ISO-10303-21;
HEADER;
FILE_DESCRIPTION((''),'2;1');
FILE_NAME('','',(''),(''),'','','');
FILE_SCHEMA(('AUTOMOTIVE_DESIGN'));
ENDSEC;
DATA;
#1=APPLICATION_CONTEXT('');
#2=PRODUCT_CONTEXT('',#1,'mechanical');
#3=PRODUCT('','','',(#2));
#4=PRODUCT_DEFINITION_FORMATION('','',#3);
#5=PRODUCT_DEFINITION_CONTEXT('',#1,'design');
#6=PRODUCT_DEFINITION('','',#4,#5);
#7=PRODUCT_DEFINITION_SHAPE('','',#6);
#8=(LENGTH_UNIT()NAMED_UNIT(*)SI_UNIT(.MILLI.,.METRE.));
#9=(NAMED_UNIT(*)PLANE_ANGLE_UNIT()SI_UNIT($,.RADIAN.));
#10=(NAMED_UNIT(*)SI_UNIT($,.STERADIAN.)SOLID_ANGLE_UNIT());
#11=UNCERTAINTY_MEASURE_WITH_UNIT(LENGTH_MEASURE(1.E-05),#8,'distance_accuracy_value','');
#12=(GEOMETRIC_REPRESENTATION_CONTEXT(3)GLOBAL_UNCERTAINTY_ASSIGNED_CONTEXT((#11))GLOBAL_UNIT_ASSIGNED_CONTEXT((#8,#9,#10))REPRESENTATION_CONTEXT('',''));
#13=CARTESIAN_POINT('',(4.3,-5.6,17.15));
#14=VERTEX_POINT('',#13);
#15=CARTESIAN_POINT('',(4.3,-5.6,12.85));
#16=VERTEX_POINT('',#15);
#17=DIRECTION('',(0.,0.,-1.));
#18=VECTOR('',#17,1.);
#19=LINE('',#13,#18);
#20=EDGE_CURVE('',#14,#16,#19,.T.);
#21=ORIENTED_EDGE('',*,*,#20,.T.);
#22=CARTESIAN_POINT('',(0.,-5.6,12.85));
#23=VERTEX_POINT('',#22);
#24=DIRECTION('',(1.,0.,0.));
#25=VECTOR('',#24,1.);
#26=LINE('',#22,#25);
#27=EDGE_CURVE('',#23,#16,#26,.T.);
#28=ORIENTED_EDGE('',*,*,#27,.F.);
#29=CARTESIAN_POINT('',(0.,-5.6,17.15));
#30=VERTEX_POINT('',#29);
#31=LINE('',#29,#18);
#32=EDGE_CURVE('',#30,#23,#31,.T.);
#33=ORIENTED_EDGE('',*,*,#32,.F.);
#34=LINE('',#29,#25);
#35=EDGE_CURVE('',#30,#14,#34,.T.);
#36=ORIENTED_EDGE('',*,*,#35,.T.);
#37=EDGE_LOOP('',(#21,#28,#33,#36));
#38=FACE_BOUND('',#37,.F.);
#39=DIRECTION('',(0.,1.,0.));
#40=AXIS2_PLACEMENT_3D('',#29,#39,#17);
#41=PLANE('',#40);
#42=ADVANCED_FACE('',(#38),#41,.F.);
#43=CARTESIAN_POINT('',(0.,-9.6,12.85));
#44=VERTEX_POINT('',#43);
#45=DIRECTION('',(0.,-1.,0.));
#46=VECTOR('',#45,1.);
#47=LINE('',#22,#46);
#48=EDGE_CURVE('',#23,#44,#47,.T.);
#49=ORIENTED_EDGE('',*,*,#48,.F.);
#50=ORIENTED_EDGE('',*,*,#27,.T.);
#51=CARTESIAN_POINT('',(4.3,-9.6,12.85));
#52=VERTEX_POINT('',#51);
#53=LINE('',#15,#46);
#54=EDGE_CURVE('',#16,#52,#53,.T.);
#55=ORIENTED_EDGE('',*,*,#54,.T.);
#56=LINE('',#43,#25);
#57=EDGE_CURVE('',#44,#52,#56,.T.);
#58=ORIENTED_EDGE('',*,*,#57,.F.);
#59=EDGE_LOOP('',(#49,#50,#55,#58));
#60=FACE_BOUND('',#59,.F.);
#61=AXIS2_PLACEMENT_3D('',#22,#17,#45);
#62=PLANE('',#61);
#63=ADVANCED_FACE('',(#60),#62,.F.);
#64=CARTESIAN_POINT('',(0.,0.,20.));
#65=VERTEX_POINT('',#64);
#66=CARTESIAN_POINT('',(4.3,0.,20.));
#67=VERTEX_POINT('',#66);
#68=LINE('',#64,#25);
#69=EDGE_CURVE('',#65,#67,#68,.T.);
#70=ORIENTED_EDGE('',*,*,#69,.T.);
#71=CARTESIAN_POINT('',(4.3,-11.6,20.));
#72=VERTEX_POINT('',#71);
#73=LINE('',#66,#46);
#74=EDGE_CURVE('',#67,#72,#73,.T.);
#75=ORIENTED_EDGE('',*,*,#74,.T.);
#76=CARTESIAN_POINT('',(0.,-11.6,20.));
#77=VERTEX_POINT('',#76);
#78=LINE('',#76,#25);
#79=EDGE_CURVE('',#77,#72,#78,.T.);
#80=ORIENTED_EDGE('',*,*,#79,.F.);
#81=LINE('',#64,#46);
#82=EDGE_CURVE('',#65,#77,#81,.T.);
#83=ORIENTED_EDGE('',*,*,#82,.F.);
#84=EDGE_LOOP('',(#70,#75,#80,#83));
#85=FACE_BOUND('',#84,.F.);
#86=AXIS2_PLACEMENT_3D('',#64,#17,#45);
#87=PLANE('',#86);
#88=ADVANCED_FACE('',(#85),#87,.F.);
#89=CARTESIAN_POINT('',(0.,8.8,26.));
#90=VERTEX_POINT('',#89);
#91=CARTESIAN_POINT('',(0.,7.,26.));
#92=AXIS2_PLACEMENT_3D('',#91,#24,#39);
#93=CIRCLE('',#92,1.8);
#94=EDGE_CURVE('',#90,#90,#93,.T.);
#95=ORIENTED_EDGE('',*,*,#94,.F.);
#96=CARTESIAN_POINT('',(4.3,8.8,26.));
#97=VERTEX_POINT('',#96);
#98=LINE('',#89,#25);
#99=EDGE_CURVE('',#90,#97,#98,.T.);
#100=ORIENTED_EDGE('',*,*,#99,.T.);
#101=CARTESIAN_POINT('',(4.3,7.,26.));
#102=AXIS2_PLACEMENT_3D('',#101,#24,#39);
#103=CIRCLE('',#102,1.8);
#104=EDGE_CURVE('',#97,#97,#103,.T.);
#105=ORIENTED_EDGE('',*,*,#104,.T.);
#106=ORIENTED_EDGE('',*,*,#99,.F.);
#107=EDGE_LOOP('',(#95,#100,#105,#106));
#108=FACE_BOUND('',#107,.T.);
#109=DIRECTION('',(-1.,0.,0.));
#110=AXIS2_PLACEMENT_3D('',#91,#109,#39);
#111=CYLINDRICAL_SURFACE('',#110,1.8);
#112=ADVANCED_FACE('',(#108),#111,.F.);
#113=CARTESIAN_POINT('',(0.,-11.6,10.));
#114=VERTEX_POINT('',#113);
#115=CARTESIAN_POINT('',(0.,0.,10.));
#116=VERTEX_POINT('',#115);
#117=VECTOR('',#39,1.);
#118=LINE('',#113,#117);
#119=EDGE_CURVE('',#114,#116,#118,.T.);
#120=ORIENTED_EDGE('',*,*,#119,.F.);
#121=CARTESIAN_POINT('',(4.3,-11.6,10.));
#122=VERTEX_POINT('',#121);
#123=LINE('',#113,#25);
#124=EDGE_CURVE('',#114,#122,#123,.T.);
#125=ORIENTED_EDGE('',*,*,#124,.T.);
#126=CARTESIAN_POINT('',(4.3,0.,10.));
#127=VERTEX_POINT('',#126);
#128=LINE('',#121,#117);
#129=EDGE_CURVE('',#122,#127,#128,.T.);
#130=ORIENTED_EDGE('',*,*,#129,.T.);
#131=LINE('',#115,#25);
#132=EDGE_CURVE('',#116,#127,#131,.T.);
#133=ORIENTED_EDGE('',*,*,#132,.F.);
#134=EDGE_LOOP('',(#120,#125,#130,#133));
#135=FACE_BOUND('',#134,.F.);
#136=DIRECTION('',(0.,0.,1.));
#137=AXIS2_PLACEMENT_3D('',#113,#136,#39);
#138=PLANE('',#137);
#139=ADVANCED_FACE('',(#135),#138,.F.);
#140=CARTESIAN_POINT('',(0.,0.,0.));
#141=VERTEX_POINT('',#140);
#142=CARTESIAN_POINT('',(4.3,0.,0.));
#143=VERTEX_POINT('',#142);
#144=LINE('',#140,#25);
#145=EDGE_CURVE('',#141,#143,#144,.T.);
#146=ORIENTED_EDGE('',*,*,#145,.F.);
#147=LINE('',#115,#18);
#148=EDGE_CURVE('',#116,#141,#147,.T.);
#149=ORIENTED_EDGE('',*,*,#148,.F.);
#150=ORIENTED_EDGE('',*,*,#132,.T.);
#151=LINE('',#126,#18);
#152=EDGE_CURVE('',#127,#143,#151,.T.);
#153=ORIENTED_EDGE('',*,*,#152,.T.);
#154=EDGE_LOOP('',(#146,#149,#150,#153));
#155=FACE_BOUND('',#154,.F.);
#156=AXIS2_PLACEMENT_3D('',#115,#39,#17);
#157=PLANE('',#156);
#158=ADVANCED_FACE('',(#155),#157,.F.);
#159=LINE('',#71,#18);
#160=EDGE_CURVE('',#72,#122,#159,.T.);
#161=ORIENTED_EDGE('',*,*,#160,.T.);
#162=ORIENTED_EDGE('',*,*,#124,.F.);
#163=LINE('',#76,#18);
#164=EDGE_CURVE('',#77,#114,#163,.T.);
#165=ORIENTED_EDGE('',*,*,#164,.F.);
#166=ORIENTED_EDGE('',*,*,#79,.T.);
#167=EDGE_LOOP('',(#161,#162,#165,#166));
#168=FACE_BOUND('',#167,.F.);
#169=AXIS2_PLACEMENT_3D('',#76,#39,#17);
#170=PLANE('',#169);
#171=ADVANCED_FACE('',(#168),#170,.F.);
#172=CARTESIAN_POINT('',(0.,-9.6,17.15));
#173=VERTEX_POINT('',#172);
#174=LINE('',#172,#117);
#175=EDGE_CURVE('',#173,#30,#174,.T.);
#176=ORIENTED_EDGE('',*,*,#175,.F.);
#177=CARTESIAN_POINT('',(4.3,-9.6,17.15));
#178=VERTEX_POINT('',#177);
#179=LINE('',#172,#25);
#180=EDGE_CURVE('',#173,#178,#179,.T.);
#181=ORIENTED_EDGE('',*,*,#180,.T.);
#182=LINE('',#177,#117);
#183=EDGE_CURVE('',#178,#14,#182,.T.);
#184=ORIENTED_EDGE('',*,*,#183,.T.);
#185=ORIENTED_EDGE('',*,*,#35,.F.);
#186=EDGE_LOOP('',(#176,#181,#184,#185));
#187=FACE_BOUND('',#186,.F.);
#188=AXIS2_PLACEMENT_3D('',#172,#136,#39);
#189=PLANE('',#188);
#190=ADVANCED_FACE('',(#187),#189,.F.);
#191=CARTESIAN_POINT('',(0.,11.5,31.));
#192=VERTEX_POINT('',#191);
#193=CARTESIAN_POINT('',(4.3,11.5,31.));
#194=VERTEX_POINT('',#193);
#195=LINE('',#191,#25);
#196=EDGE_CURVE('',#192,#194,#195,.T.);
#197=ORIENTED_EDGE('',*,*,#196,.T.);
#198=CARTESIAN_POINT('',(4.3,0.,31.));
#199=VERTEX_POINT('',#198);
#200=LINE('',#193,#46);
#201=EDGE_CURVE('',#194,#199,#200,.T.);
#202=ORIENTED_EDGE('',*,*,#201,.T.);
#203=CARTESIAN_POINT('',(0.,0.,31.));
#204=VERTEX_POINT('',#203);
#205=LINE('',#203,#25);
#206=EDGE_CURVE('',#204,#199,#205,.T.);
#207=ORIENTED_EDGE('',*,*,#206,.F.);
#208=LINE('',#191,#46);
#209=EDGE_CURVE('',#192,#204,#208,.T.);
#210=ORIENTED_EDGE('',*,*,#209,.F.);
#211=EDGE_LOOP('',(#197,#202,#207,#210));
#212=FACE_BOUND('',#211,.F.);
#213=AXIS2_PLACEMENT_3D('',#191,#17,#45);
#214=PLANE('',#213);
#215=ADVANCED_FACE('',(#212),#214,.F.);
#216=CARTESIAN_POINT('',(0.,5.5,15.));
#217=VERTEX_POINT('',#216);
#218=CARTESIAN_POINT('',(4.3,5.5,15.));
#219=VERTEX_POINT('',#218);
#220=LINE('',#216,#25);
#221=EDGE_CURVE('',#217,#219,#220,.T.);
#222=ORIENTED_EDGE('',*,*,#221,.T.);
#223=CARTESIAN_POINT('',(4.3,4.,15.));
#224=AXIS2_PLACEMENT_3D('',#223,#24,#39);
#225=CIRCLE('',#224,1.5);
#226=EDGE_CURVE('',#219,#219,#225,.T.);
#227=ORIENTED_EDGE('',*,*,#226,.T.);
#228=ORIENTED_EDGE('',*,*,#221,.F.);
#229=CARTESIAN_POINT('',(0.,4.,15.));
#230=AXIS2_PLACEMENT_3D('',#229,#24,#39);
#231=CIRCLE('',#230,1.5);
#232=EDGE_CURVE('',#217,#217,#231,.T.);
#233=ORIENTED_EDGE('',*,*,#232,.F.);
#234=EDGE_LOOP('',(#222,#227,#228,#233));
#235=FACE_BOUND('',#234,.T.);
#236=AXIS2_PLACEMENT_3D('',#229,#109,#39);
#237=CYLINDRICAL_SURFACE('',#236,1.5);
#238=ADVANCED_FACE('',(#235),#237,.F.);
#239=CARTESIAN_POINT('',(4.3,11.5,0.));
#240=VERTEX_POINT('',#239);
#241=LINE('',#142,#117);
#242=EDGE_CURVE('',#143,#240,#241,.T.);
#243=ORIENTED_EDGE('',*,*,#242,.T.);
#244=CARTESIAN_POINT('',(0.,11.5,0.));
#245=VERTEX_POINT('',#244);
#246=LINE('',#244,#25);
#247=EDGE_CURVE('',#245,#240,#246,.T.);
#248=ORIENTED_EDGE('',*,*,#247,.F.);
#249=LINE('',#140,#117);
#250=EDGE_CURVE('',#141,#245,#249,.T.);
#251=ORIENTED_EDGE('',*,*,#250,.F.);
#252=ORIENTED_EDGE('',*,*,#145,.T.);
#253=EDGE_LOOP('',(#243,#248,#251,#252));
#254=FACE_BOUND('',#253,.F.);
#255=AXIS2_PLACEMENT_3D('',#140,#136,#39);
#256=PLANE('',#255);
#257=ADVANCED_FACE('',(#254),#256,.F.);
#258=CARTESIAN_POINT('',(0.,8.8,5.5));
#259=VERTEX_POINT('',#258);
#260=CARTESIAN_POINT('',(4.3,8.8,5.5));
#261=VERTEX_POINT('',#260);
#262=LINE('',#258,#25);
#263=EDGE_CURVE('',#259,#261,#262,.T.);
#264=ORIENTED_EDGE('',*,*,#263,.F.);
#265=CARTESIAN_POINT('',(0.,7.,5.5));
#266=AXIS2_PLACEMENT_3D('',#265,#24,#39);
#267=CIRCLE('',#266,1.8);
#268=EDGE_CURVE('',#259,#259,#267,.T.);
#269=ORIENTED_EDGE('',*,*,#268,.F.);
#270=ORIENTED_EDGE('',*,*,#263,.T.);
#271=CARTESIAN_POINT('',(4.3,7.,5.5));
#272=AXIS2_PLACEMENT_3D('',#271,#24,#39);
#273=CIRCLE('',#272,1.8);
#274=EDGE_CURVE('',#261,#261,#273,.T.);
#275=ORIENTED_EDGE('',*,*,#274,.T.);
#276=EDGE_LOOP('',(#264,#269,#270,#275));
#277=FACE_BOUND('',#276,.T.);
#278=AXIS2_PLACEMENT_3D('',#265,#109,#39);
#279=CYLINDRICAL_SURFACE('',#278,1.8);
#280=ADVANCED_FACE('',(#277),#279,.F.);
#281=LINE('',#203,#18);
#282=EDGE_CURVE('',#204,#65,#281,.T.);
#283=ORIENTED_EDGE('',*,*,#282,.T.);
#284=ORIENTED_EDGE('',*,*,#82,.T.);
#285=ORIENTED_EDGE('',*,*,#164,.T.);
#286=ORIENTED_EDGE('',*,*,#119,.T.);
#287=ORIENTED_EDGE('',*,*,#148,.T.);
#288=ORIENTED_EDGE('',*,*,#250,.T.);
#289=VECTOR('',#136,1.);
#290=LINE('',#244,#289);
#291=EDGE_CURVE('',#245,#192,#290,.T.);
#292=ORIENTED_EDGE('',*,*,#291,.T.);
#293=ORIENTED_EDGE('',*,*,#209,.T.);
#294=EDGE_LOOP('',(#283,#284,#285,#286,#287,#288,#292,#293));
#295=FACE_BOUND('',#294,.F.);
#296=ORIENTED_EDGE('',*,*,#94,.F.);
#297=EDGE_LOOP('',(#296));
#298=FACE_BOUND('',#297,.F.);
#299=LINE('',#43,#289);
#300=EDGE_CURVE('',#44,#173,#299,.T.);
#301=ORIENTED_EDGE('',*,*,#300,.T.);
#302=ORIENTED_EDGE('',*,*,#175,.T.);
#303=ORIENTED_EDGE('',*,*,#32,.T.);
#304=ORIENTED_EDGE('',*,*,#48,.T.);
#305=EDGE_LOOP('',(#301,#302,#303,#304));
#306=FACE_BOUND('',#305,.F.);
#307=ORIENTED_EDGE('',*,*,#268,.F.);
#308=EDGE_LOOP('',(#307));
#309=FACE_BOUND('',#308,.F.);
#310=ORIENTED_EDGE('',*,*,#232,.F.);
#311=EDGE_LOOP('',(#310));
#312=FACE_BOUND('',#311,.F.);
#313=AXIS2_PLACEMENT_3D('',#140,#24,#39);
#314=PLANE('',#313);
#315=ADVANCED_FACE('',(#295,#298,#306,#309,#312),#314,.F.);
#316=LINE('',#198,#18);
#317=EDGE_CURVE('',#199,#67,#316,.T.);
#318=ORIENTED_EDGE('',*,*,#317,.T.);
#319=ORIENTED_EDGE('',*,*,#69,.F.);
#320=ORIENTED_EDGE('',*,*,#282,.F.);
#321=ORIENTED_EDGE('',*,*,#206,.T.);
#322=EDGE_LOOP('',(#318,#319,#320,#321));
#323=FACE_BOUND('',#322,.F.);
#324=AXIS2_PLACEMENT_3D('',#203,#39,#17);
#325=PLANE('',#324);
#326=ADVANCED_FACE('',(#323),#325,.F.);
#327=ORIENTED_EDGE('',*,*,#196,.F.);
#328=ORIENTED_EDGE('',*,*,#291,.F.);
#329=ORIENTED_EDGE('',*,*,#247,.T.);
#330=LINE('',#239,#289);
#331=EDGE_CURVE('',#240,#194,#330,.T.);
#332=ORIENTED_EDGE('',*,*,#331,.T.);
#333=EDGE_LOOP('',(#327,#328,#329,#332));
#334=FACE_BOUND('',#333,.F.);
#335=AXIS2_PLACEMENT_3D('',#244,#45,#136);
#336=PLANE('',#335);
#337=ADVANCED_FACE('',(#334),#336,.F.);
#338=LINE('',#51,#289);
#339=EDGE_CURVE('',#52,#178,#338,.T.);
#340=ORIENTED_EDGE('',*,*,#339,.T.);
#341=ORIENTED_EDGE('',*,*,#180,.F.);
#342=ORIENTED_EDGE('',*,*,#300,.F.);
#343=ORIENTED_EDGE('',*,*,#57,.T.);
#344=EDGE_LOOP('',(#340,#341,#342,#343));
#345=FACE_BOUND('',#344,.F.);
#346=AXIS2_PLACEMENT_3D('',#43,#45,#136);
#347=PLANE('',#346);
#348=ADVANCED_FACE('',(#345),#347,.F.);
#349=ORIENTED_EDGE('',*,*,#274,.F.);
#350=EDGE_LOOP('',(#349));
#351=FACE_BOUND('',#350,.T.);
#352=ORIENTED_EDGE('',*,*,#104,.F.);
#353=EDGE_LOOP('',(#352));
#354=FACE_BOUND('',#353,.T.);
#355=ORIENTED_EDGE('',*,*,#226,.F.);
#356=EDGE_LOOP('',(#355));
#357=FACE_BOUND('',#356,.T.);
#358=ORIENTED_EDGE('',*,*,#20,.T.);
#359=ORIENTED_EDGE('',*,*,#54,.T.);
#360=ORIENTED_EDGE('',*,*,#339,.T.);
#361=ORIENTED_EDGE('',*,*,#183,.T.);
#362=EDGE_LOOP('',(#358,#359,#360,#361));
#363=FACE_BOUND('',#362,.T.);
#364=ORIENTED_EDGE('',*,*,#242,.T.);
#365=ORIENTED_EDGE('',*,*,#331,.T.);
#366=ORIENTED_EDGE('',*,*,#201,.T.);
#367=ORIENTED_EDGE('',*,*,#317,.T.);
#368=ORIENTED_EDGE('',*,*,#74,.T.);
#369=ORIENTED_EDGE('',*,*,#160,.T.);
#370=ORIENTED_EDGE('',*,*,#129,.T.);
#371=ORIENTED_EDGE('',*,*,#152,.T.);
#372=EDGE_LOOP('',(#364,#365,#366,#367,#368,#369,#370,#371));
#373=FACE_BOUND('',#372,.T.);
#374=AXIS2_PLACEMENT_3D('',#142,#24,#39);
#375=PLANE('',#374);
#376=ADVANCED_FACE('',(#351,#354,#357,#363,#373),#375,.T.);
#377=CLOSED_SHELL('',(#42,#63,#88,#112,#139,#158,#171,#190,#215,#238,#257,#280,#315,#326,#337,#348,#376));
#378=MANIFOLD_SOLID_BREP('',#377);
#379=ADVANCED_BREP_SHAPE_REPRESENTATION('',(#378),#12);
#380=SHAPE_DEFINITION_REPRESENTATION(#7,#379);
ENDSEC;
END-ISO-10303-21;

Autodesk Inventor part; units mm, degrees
ref_plane "YZ Plane" through (0, 0, 0) normal (1, 0, 0) x (0, 1, 0)
ref_plane "XZ Plane" through (0, 0, 0) normal (0, 1, 0) x (-1, 0, 0)
ref_plane "XY Plane" through (0, 0, 0) normal (0, 0, 1) x (1, 0, 0)
sketch "Sketch1" plane through (0, 0, 0) normal (1, 0, 0) x (0, 1, 0)
  line L0 (0, 0) -> (11.5, 0)
  line L1 (11.5, 0) -> (11.5, 31)
  line L2 (11.5, 31) -> (0, 31)
  line L3 (0, 20) -> (-11.6, 20)
  line L4 (-11.6, 20) -> (-11.6, 10)
  line L5 (-11.6, 10) -> (0, 10)
  line L6 (0, 31) -> (0, 20)
  line L7 (0, 10) -> (0, 0)
  line L8 (7, 31) -> (7, 0) construction
  circle A0 centre (7, 26) radius 1.8
  circle A1 centre (7, 5.5) radius 1.8
  line L9 (-11.6, 15) -> (4, 15) construction
  circle A2 centre (4, 15) radius 1.5
  line L10 (-5.6, 12.85) -> (-9.6, 12.85)
  line L11 (-9.6, 12.85) -> (-9.6, 17.15)
  line L12 (-9.6, 17.15) -> (-5.6, 17.15)
  line L13 (-5.6, 17.15) -> (-5.6, 12.85)
  line L14 (-5.6, 12.85) -> (-9.6, 17.15) construction
  line L15 (-9.6, 12.85) -> (-5.6, 17.15) construction
  point P0 (-7.6, 15)
  dimension "d0" = 10
  dimension "d4" = 11.5
  dimension "d7" = 20.5
  dimension "d8" = 3.6
  dimension "d10" = 7
  dimension "d11" = 3
  dimension "d12" = 4
  dimension "d13" = 9.5
  dimension "d14" = 16
  dimension "d15" = 15
  dimension "d16" = 5.6
  dimension "d17" = 4
  dimension "d18" = 4.3
  dimension "d19" = 2
extrude "Extrusion1" add sketch "Sketch1" along normal blind 4.3
properties part number "TrayPanelI"
